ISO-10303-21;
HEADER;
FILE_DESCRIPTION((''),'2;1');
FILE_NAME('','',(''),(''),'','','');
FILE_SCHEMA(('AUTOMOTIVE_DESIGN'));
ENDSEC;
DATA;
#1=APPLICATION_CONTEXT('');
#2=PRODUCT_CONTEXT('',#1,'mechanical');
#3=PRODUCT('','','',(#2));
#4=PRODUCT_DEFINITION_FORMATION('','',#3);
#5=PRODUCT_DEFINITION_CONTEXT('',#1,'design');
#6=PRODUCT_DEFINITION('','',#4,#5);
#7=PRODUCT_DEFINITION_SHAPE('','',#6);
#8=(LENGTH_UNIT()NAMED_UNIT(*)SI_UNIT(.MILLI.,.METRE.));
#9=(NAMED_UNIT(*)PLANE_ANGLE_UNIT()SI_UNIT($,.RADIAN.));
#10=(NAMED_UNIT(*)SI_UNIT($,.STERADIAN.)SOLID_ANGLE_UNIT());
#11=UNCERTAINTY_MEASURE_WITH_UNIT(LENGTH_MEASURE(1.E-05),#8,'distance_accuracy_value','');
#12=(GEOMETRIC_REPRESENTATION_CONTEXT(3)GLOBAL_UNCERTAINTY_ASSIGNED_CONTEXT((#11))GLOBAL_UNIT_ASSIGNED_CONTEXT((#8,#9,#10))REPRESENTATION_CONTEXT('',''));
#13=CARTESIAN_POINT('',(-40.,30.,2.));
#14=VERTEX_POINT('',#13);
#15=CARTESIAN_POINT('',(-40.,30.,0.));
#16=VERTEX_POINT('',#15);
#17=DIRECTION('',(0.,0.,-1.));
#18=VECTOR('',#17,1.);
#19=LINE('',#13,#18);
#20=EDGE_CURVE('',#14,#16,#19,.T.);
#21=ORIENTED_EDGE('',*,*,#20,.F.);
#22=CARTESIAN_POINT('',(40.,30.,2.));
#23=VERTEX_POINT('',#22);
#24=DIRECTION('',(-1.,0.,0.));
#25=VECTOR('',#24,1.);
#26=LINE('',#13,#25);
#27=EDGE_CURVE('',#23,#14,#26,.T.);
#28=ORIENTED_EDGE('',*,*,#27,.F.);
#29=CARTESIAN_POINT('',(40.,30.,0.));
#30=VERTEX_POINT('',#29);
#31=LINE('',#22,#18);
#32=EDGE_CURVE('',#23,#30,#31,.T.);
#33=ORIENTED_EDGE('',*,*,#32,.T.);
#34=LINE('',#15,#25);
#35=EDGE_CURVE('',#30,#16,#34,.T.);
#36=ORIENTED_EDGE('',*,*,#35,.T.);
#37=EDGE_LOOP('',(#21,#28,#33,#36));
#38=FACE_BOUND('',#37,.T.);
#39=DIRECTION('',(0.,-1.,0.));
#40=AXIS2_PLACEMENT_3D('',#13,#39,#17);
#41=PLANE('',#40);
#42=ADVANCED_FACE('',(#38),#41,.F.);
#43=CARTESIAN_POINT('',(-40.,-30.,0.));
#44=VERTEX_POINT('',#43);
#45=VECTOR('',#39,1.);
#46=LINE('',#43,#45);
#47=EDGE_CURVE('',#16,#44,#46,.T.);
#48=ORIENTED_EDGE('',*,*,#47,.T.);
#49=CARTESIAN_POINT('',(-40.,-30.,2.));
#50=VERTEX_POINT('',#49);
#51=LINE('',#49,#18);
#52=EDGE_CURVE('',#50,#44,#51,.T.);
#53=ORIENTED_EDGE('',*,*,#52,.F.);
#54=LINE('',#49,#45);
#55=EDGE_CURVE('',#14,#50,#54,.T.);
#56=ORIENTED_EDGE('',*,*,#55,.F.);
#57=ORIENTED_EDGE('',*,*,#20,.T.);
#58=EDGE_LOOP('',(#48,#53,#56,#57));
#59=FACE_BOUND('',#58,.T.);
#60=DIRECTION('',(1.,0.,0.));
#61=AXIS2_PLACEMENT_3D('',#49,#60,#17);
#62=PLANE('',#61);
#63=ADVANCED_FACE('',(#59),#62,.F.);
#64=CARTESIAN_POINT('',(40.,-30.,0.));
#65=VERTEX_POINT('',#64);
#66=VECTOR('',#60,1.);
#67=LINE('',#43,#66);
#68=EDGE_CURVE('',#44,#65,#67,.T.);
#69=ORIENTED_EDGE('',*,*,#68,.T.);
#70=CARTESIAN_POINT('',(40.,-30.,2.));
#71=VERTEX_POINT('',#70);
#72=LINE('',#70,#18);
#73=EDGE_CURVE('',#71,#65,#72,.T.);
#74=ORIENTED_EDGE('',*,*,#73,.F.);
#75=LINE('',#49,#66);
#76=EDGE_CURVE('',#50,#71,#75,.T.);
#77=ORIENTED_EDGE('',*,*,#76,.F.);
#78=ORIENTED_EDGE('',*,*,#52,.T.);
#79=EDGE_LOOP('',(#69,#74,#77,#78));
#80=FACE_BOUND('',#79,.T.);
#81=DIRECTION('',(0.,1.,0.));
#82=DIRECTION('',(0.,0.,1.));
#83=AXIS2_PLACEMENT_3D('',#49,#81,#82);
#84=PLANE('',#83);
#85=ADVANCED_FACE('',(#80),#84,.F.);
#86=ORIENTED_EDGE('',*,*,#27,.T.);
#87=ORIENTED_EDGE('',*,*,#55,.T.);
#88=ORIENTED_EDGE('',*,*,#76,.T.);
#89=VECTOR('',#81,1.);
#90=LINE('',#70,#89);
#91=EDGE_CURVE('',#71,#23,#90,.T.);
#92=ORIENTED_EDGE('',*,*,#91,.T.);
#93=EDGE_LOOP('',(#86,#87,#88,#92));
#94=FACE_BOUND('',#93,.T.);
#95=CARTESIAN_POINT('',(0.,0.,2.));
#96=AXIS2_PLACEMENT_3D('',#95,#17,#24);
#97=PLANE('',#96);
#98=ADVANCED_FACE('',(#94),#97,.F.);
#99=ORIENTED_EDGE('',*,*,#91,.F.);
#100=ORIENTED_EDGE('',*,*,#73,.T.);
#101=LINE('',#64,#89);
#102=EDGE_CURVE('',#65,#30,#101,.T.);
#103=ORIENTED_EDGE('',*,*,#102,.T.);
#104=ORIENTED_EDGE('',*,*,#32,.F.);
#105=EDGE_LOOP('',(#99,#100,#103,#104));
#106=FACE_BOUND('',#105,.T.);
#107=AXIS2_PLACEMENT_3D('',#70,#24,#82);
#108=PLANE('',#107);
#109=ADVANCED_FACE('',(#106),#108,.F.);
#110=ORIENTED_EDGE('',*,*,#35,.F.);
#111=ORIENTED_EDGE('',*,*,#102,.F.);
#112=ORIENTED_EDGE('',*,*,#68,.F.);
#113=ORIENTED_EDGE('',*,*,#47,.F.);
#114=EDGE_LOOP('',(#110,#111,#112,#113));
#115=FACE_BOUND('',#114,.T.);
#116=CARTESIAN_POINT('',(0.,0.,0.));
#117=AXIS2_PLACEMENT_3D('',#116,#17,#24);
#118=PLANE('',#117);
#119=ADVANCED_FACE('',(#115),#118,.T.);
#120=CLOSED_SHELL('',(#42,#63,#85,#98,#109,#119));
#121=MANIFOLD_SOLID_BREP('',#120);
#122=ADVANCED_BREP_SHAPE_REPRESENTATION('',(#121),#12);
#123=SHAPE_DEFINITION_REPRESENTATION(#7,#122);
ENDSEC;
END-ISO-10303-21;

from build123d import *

# Parameters (mm, degrees)
SKIZZE1_W                       = 80
SKIZZE1_H                       = 60
AUFSATZ_LINEAR_AUSTRAGEN1_DEPTH = 2


with BuildPart() as part:
    # Skizze1 → Aufsatz-Linear austragen1 (new body)
    with BuildSketch(Plane.XY):
        Rectangle(SKIZZE1_W, SKIZZE1_H)
    extrude(amount=AUFSATZ_LINEAR_AUSTRAGEN1_DEPTH)


solid = part.part
